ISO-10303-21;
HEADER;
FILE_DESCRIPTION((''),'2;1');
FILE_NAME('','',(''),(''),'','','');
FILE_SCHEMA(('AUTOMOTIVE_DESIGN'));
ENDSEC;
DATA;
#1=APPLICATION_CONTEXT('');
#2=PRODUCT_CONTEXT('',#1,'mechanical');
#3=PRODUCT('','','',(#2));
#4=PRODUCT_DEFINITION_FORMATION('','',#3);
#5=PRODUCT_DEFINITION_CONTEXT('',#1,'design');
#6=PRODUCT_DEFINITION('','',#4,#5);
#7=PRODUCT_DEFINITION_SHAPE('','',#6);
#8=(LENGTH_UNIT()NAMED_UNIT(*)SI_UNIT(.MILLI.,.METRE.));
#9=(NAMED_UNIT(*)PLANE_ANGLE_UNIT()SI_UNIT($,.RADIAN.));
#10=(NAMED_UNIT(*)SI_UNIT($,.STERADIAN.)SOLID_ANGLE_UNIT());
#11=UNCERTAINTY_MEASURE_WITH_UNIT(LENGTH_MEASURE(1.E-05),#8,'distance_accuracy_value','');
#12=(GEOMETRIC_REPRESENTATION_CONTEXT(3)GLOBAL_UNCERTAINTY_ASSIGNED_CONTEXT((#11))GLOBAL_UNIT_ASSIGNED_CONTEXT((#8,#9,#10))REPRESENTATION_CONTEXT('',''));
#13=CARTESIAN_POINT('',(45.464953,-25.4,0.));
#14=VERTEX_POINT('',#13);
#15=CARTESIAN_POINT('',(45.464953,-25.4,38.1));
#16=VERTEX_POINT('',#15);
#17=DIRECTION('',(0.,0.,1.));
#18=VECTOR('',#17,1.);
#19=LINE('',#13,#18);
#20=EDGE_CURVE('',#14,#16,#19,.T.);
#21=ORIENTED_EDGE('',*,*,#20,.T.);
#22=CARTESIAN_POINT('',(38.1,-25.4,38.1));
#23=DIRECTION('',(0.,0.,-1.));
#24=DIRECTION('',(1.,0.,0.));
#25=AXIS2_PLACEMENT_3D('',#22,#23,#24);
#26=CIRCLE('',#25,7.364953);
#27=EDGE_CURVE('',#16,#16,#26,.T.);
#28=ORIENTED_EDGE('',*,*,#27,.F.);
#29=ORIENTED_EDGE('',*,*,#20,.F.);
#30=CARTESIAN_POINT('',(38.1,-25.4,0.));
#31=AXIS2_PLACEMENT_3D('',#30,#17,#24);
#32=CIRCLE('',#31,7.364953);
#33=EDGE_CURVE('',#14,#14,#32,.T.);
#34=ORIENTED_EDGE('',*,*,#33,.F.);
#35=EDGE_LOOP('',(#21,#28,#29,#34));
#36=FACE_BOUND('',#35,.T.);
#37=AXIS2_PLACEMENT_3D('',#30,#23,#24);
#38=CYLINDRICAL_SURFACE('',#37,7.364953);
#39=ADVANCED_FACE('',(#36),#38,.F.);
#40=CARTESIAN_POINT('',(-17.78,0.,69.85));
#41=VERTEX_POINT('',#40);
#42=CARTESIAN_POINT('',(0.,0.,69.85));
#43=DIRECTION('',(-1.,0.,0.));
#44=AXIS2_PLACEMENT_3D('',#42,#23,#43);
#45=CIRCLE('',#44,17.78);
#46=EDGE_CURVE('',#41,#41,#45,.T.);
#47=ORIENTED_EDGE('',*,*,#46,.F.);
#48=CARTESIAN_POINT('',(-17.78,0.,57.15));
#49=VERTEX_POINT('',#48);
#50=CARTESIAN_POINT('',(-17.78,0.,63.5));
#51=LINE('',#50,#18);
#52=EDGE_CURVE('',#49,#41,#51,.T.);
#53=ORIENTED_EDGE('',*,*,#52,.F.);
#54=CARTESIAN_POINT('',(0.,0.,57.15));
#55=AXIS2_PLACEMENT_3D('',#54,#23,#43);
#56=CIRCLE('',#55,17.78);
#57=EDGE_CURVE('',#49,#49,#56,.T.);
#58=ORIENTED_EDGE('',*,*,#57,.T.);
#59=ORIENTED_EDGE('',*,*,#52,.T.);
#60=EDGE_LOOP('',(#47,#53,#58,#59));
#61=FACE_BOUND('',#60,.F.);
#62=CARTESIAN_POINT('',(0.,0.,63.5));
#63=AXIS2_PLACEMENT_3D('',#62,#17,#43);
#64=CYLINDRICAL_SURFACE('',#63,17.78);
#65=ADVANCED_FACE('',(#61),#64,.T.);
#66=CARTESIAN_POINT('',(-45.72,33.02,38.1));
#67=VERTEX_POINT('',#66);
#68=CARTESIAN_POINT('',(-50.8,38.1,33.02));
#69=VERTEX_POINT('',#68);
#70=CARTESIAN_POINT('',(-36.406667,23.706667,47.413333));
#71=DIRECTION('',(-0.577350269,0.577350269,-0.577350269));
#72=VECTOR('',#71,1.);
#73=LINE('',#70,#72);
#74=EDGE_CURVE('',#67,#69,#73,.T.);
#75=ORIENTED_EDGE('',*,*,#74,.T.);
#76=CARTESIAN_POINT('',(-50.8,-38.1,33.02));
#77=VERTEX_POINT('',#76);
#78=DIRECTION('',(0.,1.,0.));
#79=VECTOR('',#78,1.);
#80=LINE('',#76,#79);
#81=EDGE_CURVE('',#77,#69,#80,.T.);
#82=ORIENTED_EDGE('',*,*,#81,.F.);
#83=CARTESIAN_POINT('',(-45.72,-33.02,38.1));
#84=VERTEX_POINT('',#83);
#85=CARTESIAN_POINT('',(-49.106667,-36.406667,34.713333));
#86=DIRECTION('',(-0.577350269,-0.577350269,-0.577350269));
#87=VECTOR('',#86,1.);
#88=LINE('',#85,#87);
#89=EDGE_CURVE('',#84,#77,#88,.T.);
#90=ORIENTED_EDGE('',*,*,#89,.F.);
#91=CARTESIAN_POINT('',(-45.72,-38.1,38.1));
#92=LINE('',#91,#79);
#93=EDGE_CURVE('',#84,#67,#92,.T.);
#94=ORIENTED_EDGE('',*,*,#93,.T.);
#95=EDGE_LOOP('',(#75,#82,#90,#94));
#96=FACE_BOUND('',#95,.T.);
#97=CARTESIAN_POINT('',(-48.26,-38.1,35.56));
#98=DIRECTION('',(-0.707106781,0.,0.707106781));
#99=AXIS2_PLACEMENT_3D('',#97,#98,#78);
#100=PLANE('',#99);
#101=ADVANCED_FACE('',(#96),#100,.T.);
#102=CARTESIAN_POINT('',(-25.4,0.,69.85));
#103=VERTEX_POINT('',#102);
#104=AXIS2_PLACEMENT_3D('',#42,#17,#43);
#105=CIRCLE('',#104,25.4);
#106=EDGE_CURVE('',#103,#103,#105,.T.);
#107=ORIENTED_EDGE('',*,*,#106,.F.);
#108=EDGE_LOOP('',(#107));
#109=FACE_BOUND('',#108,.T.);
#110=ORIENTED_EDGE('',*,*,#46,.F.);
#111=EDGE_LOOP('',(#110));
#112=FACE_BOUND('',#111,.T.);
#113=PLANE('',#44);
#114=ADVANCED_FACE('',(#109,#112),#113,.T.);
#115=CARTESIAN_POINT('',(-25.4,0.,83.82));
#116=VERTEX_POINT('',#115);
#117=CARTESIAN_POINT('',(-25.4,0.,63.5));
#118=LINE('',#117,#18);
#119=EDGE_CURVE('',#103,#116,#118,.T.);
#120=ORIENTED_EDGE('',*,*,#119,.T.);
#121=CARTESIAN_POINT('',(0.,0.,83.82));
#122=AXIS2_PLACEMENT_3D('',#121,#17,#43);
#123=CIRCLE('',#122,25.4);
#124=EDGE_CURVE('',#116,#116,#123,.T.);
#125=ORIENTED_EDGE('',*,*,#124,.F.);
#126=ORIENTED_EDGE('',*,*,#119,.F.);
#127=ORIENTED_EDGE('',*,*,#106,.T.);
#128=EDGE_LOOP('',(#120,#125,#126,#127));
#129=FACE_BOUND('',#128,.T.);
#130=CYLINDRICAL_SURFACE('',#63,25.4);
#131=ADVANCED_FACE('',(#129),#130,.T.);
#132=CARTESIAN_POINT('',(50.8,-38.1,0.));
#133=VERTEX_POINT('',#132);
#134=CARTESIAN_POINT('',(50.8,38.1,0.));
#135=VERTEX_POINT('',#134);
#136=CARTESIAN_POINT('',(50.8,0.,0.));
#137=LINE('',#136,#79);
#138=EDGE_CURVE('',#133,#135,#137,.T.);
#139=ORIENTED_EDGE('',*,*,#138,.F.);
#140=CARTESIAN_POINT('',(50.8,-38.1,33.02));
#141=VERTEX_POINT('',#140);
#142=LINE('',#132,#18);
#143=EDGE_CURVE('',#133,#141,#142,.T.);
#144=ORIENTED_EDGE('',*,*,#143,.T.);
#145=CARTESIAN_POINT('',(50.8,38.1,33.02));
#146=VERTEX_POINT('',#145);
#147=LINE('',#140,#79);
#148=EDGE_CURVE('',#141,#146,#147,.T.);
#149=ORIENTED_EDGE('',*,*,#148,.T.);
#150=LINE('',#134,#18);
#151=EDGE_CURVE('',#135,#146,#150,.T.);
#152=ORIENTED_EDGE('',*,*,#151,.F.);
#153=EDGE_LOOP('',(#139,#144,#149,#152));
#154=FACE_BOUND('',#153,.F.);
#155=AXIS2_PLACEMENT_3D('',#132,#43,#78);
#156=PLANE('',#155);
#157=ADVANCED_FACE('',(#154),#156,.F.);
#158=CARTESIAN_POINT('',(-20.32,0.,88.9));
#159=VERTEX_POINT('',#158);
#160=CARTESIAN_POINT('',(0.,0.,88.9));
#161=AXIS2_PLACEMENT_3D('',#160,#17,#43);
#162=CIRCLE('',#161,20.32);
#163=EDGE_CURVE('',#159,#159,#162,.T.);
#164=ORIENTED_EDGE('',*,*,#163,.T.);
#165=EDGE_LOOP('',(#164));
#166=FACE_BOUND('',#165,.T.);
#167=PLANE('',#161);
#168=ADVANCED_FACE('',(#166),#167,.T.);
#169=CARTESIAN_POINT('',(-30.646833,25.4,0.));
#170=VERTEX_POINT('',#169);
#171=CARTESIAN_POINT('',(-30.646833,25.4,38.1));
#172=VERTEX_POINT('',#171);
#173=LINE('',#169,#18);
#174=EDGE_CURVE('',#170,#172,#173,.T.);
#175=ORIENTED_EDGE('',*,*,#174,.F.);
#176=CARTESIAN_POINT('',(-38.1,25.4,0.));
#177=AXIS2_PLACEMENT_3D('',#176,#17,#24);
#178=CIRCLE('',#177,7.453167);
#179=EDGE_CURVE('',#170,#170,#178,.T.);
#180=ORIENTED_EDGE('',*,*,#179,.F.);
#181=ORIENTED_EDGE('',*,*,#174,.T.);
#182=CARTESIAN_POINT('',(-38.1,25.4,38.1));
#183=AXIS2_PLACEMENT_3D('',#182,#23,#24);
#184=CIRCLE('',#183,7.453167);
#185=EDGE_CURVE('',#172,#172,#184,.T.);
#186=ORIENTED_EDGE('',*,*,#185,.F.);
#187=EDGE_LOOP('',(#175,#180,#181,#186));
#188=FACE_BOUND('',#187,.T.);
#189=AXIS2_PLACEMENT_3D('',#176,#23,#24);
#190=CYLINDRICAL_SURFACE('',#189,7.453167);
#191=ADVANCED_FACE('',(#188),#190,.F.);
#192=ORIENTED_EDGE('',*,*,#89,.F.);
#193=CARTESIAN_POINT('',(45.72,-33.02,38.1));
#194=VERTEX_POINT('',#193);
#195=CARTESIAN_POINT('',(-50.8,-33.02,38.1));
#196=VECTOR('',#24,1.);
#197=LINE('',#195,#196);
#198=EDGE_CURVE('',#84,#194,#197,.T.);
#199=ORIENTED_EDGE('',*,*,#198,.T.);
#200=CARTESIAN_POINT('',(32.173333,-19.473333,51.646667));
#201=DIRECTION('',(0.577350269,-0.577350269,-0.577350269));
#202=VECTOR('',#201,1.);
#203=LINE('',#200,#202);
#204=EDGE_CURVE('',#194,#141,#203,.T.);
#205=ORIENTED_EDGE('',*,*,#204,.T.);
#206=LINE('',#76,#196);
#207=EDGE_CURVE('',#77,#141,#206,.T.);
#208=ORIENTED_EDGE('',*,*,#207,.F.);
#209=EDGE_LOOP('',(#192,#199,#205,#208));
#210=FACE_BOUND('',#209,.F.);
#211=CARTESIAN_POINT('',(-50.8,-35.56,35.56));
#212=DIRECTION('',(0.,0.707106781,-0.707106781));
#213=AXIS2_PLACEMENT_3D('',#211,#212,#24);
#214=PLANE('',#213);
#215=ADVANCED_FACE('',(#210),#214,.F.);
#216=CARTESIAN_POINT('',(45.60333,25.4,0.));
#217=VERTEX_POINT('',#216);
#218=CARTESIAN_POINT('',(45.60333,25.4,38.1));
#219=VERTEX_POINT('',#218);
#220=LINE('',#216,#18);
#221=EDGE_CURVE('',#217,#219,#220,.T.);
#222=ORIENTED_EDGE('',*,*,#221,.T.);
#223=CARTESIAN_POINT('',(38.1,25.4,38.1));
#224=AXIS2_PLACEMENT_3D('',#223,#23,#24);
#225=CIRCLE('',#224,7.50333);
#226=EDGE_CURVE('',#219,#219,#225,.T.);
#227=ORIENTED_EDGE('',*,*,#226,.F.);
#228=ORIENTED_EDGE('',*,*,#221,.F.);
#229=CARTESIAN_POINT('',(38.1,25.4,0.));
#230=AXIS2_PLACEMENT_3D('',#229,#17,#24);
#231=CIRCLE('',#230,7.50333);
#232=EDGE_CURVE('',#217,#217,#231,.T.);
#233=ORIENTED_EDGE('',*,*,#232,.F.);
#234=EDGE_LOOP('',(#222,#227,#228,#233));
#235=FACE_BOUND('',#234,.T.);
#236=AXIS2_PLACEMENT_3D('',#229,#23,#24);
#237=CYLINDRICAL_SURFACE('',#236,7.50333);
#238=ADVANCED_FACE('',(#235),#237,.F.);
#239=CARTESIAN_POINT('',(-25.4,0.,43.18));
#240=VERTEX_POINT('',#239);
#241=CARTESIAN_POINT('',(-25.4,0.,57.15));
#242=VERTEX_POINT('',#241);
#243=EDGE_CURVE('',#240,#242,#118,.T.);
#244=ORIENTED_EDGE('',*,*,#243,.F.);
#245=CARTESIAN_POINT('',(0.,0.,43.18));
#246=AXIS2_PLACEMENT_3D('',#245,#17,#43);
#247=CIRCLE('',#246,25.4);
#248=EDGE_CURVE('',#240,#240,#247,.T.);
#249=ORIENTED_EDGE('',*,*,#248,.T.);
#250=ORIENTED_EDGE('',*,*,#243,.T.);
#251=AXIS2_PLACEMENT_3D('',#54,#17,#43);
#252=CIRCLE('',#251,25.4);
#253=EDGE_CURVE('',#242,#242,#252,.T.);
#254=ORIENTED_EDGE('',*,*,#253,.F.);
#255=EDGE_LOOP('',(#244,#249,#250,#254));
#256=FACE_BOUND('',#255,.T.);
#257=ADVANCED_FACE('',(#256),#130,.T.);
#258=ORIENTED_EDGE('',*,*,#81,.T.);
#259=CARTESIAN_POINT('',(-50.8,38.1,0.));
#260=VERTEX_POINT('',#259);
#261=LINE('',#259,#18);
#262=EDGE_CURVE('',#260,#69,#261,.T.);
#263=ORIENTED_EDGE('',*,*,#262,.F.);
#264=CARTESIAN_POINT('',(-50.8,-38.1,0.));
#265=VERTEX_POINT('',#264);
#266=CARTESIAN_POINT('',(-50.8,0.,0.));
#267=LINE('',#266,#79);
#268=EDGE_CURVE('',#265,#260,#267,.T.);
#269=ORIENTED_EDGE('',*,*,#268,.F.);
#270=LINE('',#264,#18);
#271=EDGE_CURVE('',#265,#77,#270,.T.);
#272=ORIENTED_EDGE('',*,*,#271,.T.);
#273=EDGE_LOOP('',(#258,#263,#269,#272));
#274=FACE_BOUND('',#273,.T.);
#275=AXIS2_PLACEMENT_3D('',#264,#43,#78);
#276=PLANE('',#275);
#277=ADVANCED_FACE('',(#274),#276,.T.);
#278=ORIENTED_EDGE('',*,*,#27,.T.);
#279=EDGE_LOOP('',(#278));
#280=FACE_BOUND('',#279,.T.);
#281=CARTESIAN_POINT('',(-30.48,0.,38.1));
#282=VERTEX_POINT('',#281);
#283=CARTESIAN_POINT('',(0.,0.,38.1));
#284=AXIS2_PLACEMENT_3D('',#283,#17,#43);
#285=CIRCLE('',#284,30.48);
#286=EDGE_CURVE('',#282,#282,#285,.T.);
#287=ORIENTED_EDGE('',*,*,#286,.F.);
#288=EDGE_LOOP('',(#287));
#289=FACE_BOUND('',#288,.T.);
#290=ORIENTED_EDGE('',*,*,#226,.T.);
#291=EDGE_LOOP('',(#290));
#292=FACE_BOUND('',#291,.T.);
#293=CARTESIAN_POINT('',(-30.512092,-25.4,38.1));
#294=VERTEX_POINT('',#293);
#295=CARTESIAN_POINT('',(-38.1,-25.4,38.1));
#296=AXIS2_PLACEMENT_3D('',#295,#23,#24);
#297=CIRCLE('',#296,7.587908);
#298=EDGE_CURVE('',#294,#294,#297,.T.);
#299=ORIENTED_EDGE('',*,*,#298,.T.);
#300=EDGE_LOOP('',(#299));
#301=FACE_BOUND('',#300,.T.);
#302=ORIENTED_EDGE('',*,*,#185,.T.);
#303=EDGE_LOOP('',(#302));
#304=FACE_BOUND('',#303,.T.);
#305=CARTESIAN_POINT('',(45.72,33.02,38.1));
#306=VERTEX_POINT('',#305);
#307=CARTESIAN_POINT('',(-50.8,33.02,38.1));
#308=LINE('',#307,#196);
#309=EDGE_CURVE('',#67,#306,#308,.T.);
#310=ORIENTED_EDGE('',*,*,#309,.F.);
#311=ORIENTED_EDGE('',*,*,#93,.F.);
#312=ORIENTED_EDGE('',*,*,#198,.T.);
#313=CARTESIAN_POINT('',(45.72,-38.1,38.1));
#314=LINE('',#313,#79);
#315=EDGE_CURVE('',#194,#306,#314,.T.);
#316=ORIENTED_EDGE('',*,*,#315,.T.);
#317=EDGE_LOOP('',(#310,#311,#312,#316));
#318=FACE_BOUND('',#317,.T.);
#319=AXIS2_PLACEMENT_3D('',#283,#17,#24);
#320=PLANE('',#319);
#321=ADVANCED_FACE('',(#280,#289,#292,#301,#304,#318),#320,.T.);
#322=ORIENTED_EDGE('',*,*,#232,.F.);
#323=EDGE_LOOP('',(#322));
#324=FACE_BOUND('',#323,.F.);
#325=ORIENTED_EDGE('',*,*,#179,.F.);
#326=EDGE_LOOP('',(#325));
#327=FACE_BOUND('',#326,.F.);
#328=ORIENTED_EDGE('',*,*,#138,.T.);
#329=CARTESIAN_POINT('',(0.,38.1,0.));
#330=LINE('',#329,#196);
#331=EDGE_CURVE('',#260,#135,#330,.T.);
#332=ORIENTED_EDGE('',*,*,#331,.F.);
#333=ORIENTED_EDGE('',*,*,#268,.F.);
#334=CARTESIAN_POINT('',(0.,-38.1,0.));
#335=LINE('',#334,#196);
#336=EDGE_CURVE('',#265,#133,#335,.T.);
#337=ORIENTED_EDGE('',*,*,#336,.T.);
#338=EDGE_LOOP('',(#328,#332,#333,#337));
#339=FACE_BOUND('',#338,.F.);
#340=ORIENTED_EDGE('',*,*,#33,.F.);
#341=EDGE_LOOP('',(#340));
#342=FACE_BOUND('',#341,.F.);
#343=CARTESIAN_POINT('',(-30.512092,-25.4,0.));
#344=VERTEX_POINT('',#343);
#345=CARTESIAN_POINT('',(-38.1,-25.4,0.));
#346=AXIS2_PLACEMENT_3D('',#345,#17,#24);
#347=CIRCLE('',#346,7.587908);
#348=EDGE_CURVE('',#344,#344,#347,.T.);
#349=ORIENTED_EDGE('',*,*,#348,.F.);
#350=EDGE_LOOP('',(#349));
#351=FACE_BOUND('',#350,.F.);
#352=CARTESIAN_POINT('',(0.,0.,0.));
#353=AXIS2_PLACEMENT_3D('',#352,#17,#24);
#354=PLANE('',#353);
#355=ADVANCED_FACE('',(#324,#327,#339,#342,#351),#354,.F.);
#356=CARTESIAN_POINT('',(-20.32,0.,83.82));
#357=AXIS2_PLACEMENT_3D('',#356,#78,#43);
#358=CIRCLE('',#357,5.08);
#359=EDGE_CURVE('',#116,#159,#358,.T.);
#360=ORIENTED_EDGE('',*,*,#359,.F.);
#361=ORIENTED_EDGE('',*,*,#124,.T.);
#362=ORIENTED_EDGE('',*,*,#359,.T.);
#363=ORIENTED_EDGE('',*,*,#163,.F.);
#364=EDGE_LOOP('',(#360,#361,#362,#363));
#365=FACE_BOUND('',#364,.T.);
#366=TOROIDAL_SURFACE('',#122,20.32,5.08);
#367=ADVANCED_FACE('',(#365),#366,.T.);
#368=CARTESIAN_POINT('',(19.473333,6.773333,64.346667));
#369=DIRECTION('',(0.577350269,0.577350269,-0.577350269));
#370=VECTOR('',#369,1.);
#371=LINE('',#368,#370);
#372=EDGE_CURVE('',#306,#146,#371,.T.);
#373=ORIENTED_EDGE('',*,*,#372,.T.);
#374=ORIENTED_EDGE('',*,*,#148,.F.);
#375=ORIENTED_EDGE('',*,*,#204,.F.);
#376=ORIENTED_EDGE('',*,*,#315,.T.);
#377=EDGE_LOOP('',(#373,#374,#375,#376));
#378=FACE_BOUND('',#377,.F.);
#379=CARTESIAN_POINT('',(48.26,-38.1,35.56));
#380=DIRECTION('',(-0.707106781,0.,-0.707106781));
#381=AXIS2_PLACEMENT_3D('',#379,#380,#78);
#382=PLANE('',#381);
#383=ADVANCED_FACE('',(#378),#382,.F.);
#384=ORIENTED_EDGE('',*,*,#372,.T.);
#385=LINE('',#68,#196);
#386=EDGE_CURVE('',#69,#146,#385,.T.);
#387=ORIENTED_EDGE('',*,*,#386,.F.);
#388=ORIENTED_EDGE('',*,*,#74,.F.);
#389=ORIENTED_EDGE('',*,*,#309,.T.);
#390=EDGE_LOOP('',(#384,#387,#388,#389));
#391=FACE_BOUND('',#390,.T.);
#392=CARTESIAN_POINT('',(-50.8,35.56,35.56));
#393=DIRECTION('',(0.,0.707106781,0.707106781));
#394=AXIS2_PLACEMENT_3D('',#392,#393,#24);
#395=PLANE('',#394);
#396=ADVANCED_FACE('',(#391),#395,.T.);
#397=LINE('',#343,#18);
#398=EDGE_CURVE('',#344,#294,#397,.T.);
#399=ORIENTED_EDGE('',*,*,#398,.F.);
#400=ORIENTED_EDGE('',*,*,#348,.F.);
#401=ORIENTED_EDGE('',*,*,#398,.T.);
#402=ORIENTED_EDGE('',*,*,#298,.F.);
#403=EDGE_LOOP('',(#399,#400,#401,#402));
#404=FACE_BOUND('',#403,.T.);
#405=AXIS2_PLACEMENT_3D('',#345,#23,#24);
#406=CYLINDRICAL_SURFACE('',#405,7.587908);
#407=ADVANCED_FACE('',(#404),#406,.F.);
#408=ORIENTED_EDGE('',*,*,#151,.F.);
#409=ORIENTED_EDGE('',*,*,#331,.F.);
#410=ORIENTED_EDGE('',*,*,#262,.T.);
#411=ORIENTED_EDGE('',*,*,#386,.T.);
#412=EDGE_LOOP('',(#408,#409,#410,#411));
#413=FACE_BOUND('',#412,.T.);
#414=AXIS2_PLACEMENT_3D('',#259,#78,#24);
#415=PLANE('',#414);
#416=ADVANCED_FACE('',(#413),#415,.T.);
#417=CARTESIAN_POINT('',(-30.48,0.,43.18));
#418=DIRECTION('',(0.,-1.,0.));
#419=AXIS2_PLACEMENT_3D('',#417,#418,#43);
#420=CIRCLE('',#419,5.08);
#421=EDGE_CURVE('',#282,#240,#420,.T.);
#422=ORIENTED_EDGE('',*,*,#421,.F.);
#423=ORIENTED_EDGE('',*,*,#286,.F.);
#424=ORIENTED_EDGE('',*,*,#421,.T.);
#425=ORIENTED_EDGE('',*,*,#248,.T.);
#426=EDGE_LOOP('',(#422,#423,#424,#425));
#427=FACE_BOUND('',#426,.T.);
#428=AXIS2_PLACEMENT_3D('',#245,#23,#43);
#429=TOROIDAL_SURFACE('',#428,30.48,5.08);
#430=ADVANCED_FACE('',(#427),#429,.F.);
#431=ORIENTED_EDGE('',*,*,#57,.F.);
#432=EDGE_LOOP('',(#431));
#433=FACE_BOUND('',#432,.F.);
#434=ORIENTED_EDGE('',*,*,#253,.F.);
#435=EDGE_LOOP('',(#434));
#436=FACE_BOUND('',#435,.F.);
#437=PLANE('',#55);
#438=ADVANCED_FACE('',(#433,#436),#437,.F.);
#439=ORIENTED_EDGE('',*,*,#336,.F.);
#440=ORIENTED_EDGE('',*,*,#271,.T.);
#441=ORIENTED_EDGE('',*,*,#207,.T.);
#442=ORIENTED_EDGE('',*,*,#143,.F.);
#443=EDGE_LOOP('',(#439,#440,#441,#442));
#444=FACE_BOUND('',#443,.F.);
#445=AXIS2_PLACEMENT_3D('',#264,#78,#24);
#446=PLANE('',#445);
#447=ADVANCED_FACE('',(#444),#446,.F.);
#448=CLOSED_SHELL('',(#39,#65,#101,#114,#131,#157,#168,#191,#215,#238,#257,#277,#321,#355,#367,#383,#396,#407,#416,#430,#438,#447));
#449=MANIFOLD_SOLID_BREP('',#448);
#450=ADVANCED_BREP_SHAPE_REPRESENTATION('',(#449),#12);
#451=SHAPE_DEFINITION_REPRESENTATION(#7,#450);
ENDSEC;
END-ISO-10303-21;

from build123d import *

# Parameters (mm, degrees)
F0_W     = 101.6
F0_H     = 76.2
F1_DEPTH = 38.1
F2_R     = 7.453167
F2_R_2   = 7.587908
F2_R_3   = 7.50333
F2_R_4   = 7.364953
F3_DEPTH = 38.101
F4_W     = 25.4
F4_H     = 50.8
F6_W     = 12.7
F6_H     = 12.7
F8_R     = 5.08
F9_SIZE  = 5.08


with BuildPart() as f1:
    # F0 (on Top) → F1 (new body)
    with BuildSketch(Plane.XY):
        Rectangle(F0_W, F0_H)
    extrude(amount=F1_DEPTH)

    # F2 (on Top) → F3 (cut, through all)
    with BuildSketch(Plane.XY):
        with Locations((-38.1, 25.4)):
            Circle(F2_R)
        with Locations((-38.1, -25.4)):
            Circle(F2_R_2)
        with Locations((38.1, 25.4)):
            Circle(F2_R_3)
        with Locations((38.1, -25.4)):
            Circle(F2_R_4)
    extrude(amount=F3_DEPTH, mode=Mode.SUBTRACT)

    # F4 (on Front) → F5 (revolve)
    with BuildSketch(Plane.XZ):
        with Locations((-12.7, 63.5)):
            Rectangle(F4_W, F4_H)
    revolve(axis=Axis((0, 0, 63.5), (0, 0, 1)))

    # F6 (on Front) → F7 (revolve, cut)
    with BuildSketch(Plane.XZ):
        with Locations((-24.13, 63.5)):
            Rectangle(F6_W, F6_H)
    revolve(axis=Axis((0, 0, 88.9), (0, 0, -1)), mode=Mode.SUBTRACT)

    # F8
    f8_edges = [f1.edges().sort_by_distance(p)[0] for p in [
        (25.4, 0, 88.9),
        (25.4, 0, 38.1),
    ]]
    fillet(f8_edges, radius=F8_R)

    # F9
    f9_edges = [f1.edges().sort_by_distance(p)[0] for p in [
        (0, -38.1, 38.1),
        (50.8, 0, 38.1),
        (0, 38.1, 38.1),
        (-50.8, 0, 38.1),
    ]]
    chamfer(f9_edges, length=F9_SIZE)


solid = f1.part
